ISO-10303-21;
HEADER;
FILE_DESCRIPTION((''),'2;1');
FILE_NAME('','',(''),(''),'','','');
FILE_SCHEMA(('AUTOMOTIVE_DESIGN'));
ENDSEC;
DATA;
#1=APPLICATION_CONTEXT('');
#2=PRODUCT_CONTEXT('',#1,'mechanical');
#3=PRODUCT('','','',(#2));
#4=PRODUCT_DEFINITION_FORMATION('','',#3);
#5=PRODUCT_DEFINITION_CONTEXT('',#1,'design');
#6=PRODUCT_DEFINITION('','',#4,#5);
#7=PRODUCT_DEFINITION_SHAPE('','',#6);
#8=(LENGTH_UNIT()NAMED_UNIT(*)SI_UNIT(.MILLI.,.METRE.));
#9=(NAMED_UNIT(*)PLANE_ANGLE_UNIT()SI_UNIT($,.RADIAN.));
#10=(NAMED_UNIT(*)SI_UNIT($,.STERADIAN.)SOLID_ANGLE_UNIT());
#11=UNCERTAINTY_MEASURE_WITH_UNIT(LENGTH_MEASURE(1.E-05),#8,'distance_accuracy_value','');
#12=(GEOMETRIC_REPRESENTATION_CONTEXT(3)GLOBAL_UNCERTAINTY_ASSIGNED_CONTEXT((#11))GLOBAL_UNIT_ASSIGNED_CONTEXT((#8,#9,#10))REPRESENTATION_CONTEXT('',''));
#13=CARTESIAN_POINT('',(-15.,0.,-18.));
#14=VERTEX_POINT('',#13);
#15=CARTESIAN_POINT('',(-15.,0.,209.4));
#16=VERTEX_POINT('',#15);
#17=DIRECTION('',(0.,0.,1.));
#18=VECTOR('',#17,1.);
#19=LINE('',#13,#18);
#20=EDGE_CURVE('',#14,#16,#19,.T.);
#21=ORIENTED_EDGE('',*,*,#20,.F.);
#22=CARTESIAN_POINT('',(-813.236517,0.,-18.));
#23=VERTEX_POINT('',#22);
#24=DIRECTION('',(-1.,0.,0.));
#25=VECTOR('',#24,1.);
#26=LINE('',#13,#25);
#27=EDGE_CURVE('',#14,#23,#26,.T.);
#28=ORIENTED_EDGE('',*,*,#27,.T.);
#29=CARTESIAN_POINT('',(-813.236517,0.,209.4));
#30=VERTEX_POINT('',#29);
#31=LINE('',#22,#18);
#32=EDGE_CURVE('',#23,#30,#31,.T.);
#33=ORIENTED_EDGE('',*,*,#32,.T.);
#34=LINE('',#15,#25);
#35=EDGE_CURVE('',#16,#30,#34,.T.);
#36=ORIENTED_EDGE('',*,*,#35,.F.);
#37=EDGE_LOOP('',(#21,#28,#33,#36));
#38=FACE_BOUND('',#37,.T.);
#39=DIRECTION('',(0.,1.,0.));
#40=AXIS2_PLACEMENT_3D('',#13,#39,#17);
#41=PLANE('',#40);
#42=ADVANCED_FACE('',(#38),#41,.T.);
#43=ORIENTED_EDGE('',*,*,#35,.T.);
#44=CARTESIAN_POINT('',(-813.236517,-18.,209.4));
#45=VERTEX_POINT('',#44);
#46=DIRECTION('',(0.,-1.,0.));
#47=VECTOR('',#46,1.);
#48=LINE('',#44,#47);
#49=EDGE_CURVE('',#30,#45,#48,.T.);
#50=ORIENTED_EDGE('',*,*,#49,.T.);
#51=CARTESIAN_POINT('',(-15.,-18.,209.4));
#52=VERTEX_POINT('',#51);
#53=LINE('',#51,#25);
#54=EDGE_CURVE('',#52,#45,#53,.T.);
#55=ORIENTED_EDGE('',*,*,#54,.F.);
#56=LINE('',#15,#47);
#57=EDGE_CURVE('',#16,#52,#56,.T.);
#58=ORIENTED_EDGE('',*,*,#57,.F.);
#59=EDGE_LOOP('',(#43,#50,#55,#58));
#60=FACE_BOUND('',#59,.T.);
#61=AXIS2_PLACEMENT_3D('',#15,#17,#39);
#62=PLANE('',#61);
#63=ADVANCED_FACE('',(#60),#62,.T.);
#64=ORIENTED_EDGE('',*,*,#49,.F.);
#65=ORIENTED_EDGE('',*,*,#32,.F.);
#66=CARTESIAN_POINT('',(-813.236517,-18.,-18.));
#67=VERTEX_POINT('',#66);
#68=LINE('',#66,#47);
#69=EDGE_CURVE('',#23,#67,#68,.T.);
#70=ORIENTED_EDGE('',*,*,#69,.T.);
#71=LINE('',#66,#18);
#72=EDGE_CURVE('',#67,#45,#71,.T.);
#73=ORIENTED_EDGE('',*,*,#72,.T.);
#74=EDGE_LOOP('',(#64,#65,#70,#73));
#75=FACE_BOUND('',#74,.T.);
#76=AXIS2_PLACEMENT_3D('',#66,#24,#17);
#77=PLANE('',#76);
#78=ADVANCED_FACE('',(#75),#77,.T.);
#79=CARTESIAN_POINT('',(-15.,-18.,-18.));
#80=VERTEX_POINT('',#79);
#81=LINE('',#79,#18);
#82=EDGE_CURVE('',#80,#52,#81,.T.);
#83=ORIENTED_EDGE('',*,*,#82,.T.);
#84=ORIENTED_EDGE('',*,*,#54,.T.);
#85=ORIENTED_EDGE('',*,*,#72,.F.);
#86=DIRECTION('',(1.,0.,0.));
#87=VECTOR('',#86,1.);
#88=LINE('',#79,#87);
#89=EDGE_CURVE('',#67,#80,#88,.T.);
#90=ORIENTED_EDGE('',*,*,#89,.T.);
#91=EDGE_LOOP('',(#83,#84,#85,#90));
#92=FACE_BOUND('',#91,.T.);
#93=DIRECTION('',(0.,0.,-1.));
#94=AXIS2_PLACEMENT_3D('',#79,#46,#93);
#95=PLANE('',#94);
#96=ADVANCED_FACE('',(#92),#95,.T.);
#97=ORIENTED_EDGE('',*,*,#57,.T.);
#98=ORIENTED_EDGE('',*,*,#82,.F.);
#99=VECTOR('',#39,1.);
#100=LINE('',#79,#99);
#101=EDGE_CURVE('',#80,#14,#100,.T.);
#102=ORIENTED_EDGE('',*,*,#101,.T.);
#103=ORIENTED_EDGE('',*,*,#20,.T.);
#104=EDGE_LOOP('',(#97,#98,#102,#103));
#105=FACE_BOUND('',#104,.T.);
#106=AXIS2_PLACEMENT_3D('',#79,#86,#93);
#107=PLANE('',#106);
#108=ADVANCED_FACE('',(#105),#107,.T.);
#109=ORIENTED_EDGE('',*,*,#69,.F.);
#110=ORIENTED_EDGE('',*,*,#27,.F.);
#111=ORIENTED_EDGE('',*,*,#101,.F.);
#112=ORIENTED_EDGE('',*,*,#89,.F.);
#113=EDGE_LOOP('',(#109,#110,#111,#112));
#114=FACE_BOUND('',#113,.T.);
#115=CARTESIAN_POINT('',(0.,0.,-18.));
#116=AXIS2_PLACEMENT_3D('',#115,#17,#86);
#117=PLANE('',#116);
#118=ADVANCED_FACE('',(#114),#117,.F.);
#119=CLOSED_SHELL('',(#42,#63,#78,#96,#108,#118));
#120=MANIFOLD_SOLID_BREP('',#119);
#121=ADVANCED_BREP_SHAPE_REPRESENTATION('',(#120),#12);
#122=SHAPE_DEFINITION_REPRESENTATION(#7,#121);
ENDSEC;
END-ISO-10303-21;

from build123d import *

# Parameters (mm, degrees)
BOSS_EXTRUDE1_DEPTH      = 209.4
BOSS_EXTRUDE1_DEPTH_BACK = 18
SKETCH1_W                = 798.236516538
SKETCH1_H                = 18


with BuildPart() as part:
    # Sketch1 → Boss-Extrude1 (new, two sides: drawn at the far end of the back side and taken through both)
    with BuildSketch(Plane.XY.offset(-BOSS_EXTRUDE1_DEPTH_BACK)):
        with Locations((-414.118258269, -9)):
            Rectangle(SKETCH1_W, SKETCH1_H)
    extrude(amount=BOSS_EXTRUDE1_DEPTH + BOSS_EXTRUDE1_DEPTH_BACK)


solid = part.part
